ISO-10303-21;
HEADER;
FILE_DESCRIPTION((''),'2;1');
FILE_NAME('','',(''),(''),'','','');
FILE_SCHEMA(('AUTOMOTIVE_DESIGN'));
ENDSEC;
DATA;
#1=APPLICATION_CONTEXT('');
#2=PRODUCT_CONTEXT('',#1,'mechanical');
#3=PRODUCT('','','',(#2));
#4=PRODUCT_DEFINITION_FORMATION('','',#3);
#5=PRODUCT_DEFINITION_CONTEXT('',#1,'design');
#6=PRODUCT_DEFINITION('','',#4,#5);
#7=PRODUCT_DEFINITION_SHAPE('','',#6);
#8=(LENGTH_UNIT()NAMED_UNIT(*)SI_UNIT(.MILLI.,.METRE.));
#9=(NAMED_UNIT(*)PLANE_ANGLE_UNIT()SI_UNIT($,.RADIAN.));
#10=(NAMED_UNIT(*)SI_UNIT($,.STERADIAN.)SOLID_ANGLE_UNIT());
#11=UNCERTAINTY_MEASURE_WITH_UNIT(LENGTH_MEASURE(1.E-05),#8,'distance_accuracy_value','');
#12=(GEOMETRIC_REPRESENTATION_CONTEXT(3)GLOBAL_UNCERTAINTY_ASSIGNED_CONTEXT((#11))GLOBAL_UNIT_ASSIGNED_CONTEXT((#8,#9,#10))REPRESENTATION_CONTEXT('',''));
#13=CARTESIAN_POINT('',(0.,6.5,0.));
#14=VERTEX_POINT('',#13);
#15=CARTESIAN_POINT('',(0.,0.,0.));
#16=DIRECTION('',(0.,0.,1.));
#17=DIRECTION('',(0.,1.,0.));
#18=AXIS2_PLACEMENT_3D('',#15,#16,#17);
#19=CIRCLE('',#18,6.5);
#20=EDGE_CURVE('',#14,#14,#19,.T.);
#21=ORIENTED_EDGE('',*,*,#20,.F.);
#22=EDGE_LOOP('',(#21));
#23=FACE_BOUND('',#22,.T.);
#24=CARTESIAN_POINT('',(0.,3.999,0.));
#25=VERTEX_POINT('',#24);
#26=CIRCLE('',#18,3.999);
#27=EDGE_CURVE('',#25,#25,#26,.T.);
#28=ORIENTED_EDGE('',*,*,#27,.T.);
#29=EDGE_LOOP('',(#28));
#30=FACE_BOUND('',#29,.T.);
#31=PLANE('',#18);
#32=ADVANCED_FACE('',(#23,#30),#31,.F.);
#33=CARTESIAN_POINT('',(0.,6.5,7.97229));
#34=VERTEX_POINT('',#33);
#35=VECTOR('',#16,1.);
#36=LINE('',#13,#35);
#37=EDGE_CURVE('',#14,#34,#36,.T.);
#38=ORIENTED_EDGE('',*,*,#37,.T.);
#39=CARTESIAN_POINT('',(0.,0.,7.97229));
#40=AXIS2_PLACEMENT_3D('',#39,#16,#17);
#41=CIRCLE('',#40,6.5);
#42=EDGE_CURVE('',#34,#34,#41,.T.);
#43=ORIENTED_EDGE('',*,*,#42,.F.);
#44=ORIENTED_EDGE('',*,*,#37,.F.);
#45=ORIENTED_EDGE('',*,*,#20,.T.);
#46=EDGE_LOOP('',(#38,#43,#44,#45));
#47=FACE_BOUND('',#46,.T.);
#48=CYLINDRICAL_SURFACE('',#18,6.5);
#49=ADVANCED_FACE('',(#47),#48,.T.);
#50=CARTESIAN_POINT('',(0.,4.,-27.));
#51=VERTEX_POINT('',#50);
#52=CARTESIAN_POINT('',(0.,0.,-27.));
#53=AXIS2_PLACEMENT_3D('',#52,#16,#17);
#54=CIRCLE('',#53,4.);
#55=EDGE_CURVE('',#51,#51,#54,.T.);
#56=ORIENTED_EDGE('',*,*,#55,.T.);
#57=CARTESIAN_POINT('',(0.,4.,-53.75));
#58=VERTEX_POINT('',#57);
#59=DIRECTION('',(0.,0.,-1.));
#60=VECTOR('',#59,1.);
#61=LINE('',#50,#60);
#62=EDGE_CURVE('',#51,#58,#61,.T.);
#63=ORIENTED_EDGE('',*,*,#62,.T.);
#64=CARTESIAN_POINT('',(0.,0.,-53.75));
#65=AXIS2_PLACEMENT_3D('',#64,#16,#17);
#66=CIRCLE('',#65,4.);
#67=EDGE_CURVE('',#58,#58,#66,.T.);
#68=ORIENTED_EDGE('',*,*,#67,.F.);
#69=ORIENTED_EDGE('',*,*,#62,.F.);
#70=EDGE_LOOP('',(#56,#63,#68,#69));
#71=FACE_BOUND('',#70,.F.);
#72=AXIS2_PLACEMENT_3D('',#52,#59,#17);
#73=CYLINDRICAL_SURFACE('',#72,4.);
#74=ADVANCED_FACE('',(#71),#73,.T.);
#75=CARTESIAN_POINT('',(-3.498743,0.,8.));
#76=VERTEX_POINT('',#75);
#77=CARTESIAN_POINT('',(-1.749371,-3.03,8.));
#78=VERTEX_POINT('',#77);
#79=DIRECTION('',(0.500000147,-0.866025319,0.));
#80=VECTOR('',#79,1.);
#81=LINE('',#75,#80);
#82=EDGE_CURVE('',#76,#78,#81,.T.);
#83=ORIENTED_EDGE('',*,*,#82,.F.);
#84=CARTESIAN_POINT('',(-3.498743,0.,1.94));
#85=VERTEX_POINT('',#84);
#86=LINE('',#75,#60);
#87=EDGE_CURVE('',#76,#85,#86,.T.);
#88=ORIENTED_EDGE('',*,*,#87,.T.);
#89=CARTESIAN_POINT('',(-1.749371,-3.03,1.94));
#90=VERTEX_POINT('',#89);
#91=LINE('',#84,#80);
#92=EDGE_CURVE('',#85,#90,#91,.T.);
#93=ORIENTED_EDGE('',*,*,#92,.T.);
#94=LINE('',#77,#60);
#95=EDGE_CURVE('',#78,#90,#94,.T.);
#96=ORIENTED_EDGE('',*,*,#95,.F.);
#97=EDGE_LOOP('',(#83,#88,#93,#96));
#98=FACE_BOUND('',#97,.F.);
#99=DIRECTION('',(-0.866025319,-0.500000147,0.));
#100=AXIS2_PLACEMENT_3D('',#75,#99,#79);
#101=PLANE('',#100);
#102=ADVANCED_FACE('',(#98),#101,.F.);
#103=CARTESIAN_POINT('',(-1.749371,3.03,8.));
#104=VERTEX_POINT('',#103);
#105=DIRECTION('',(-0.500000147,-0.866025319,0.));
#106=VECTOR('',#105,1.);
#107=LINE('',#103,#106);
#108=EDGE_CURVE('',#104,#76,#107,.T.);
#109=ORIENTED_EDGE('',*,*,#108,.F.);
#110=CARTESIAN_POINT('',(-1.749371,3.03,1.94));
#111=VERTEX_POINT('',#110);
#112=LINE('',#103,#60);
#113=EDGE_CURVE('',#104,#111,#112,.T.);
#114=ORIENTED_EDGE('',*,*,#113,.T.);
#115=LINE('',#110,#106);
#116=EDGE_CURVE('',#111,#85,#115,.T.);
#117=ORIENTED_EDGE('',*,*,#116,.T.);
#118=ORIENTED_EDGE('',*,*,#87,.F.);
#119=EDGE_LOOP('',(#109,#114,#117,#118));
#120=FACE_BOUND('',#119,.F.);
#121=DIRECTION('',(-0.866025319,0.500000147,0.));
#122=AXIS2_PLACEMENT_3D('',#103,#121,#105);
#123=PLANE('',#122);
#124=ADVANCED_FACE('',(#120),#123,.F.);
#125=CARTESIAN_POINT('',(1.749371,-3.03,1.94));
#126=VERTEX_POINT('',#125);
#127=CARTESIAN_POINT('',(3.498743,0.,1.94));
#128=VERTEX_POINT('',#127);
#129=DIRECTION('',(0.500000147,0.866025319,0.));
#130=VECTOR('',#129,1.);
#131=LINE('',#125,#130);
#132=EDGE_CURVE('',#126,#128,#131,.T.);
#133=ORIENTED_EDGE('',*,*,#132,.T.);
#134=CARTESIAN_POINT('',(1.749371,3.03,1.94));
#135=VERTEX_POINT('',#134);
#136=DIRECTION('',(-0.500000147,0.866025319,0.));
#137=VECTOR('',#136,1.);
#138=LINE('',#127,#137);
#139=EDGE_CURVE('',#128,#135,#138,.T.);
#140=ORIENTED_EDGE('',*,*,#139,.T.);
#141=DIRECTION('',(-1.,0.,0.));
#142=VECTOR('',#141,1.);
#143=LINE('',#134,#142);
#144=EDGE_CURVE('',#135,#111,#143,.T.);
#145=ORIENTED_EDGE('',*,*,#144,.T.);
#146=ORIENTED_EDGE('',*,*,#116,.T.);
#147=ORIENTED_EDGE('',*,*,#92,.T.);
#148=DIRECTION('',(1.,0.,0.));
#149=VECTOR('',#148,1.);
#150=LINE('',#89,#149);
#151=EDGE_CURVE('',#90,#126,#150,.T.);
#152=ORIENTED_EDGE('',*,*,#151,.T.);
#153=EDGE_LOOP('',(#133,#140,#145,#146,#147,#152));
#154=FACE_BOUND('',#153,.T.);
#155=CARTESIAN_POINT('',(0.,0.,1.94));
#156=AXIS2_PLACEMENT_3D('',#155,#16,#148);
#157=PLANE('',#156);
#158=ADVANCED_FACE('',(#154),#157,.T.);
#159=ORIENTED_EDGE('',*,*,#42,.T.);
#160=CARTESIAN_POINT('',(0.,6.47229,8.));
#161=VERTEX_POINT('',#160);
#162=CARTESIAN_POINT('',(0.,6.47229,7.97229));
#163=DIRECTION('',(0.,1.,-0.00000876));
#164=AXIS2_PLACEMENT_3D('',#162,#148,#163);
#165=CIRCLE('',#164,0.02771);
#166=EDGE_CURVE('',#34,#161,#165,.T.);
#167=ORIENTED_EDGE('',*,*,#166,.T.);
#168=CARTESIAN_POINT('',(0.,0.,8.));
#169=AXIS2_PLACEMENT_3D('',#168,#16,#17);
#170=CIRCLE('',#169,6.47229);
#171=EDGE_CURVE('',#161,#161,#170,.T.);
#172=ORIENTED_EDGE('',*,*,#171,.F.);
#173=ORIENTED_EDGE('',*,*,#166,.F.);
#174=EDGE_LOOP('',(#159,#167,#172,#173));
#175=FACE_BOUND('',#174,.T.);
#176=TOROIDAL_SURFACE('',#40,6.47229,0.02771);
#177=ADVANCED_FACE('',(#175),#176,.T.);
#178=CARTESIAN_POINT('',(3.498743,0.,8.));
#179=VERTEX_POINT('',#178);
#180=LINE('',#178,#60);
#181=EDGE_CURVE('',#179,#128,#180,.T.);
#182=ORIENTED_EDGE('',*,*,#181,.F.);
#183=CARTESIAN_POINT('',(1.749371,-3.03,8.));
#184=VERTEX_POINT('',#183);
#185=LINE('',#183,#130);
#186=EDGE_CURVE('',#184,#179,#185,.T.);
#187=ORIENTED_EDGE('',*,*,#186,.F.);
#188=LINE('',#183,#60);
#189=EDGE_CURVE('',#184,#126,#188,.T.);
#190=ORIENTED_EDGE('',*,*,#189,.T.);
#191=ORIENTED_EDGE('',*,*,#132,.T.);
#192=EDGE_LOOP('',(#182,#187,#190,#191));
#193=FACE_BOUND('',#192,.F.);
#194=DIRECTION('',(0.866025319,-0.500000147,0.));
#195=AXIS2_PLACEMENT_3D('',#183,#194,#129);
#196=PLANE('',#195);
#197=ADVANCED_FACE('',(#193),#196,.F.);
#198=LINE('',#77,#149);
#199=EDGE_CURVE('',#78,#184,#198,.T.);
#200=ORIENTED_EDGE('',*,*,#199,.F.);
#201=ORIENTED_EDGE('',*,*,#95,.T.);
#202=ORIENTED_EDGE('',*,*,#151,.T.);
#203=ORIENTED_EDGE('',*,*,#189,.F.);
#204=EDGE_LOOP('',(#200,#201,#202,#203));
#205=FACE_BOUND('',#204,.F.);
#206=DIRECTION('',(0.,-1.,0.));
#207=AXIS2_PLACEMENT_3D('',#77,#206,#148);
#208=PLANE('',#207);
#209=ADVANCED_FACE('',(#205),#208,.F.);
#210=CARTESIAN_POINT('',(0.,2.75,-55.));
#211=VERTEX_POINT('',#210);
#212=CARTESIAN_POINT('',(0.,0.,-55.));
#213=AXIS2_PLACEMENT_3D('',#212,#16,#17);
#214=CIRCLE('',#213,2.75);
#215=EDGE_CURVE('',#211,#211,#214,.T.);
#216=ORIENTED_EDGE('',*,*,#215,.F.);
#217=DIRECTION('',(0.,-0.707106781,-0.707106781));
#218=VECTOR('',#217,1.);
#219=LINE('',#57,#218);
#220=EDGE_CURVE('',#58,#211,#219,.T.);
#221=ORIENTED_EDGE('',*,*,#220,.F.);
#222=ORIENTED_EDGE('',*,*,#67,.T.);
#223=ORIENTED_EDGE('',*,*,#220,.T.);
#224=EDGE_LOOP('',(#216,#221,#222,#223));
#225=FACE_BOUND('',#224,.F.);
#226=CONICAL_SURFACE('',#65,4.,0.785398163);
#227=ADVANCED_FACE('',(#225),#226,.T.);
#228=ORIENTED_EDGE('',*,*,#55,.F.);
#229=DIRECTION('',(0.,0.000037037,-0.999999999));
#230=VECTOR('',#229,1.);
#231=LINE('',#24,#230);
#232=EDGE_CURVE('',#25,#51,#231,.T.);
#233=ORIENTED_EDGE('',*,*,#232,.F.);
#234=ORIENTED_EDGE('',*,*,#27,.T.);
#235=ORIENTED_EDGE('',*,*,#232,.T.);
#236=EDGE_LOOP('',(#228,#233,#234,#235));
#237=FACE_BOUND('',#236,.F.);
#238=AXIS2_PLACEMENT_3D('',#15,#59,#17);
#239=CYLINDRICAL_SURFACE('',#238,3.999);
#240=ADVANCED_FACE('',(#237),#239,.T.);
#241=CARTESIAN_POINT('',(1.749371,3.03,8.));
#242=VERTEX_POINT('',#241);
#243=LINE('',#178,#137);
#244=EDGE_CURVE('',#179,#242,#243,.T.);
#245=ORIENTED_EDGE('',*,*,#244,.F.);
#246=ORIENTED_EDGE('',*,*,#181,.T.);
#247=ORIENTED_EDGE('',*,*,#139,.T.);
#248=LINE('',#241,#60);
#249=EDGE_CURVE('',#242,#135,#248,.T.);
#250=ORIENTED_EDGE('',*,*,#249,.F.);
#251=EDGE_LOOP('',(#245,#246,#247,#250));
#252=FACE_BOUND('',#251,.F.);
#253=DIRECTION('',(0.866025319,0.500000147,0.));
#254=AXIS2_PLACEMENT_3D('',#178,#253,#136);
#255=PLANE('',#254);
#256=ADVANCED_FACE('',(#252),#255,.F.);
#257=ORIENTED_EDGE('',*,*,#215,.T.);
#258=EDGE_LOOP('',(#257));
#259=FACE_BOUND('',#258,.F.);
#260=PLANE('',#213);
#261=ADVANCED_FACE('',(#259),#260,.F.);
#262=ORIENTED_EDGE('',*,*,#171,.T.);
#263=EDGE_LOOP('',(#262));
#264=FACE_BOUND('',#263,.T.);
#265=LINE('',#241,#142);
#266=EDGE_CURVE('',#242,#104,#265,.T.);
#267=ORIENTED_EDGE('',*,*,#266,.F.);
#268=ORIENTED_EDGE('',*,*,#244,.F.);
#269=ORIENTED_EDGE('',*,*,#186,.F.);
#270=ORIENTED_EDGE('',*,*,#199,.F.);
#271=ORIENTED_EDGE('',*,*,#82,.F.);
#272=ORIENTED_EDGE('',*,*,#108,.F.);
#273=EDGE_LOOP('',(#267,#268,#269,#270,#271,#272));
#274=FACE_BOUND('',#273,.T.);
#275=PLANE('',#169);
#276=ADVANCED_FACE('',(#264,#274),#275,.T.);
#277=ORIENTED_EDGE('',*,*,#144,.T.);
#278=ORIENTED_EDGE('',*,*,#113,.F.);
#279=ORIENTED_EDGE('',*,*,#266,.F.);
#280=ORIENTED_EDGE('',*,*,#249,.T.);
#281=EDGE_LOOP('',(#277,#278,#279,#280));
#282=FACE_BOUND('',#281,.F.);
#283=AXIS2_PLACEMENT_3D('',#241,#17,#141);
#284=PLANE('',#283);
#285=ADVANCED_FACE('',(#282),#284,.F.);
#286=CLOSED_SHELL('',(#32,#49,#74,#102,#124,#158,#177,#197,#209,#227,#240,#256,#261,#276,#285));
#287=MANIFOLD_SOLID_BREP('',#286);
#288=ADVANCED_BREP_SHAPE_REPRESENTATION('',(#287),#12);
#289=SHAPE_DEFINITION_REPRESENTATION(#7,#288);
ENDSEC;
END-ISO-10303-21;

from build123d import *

# Parameters (mm, degrees)
POCKET_DEPTH = 6.06


with BuildPart() as part:
    # Sketch → Revolve (revolve)
    with BuildSketch(Plane.YZ):
        with BuildLine():
            Line((3.999, 0), (6.5, 0))
            Line((6.5, 0), (6.5, 7.97229))
            ThreePointArc((6.5, 7.97229), (6.491884, 7.991884), (6.47229, 8))
            Line((6.47229, 8), (0, 8))
            Line((0, -55), (0, 8))
            Line((2.75, -55), (0, -55))
            Line((4, -53.75), (2.75, -55))
            Line((4, -27), (4, -53.75))
            Line((3.999, 0), (4, -27))
        make_face()
    revolve(axis=Axis((0, 0, 0), (0, 0, 1)))

    # Sketch001 → Pocket (cut)
    with BuildSketch(Plane.XY.offset(8)):
        Polygon((3.498743, 0), (1.749371, 3.03), (-1.749371, 3.03), (-3.498743, 0), (-1.749371, -3.03), (1.749371, -3.03), align=None)
    extrude(amount=-POCKET_DEPTH, mode=Mode.SUBTRACT)


solid = part.part
